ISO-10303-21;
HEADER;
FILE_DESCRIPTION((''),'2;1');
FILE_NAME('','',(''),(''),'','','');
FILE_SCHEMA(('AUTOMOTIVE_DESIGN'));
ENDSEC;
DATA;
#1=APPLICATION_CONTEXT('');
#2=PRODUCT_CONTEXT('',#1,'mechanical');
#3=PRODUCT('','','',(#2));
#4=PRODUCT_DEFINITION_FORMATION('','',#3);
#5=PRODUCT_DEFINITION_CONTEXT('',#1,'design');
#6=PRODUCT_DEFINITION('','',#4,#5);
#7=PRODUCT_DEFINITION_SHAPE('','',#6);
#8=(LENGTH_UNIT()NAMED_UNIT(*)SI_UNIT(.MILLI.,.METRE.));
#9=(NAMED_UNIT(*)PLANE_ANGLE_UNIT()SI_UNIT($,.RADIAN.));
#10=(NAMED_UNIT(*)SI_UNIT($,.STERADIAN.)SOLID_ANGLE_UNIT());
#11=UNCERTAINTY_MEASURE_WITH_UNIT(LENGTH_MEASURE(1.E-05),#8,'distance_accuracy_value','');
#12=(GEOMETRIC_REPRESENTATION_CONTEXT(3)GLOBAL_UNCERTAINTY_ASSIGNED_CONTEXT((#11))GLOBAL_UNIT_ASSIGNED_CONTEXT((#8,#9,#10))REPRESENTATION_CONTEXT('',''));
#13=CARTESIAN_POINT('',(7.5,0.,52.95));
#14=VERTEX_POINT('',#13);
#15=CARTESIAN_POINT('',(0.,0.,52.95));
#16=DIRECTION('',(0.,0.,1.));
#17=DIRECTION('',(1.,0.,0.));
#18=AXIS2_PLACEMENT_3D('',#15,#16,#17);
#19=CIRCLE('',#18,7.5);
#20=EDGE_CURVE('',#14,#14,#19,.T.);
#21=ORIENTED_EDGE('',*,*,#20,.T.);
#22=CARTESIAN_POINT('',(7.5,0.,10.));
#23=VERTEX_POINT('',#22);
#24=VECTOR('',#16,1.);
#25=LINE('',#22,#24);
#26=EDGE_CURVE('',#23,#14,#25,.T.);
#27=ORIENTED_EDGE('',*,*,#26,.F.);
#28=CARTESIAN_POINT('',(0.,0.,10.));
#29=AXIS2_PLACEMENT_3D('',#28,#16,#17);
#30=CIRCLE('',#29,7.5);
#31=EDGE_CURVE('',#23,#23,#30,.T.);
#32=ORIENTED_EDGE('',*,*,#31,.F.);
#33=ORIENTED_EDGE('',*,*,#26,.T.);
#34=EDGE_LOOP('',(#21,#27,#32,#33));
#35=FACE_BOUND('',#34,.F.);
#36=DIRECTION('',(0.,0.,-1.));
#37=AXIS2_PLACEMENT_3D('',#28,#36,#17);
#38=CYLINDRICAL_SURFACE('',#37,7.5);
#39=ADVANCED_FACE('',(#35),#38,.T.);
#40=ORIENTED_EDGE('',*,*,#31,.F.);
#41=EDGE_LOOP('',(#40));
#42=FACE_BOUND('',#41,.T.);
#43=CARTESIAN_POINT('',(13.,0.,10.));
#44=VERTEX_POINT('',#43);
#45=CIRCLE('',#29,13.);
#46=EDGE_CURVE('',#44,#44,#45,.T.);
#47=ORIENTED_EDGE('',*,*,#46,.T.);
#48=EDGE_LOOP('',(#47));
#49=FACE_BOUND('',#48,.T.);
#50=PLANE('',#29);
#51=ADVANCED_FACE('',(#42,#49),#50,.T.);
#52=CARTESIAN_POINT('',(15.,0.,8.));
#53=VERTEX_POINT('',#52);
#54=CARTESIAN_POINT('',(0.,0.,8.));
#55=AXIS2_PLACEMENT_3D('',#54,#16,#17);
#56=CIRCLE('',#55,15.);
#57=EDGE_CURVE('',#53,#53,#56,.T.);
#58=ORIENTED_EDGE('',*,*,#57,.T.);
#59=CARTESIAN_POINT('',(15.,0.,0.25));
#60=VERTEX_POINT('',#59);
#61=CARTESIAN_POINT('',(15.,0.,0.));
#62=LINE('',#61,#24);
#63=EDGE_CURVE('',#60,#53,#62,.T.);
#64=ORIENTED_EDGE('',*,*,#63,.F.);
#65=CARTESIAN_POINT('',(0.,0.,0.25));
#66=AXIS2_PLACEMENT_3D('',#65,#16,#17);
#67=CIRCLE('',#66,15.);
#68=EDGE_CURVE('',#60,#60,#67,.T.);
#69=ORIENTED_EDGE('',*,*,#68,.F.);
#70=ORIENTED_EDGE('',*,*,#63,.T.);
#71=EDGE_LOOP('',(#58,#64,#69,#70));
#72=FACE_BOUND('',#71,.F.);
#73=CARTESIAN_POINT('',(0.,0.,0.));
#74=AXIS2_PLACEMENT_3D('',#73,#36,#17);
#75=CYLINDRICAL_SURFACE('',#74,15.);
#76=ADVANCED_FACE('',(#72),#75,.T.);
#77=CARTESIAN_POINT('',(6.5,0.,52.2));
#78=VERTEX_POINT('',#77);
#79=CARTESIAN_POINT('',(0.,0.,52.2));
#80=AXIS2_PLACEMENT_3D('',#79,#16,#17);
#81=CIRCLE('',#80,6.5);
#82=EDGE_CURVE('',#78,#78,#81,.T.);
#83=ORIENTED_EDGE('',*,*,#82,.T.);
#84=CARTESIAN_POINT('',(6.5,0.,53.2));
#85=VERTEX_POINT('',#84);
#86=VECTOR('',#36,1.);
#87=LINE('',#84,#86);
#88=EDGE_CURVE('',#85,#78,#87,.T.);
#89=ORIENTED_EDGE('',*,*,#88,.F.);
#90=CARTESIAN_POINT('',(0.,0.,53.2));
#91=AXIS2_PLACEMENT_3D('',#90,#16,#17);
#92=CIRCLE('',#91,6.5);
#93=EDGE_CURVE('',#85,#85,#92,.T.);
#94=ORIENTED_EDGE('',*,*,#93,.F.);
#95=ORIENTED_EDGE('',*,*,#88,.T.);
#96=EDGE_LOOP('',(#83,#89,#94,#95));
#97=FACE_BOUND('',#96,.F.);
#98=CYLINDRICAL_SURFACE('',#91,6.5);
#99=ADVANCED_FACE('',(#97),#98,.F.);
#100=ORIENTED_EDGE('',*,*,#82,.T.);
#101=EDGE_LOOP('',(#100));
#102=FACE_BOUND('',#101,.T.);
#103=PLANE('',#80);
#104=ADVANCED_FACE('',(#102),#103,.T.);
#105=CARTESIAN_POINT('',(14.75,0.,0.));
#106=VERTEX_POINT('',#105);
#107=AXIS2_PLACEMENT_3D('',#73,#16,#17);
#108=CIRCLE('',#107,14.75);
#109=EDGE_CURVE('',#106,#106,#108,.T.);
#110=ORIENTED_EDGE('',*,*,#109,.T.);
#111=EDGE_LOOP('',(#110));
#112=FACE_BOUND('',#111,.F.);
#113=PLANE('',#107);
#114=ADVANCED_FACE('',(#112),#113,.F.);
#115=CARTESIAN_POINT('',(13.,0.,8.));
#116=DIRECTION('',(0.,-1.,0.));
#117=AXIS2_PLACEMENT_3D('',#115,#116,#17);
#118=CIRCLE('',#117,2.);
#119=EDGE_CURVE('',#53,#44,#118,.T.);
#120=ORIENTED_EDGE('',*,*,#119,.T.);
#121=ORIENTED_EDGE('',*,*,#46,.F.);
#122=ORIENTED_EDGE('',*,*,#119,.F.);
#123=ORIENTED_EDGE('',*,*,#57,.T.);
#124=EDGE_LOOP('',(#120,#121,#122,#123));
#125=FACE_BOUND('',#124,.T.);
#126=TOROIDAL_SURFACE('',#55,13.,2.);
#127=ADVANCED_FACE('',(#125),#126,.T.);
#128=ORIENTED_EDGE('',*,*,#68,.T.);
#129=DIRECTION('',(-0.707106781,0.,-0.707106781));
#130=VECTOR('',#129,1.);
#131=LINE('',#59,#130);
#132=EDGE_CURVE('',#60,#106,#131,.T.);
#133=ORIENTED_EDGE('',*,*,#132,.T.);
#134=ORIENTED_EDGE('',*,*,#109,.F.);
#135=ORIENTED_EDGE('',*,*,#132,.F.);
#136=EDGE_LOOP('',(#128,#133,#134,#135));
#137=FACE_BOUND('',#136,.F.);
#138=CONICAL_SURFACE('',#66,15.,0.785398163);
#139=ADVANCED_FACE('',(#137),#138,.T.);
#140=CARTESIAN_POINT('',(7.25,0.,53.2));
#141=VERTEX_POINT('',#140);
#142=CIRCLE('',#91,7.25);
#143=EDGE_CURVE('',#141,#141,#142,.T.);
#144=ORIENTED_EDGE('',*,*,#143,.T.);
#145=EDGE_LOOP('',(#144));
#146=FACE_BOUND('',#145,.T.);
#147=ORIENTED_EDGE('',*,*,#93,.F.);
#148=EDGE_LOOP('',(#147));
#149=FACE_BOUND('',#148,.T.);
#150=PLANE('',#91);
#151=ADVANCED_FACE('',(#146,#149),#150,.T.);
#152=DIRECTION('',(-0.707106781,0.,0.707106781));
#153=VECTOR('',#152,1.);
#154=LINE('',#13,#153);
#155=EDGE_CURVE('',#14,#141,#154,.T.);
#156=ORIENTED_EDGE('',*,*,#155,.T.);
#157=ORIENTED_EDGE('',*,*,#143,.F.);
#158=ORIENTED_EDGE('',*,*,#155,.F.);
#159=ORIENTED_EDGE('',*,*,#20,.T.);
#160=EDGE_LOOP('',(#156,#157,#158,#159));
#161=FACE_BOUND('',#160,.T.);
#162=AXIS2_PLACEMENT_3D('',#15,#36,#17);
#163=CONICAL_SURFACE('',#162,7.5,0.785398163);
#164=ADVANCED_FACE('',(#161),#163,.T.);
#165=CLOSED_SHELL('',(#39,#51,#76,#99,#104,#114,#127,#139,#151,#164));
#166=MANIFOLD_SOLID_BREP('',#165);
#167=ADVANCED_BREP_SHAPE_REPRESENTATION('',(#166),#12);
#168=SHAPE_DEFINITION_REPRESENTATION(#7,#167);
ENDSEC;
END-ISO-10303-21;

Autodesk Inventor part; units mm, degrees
ref_plane "YZ Plane" through (0, 0, 0) normal (1, 0, 0) x (0, 1, 0)
ref_plane "XZ Plane" through (0, 0, 0) normal (0, 1, 0) x (-1, 0, 0)
ref_plane "XY Plane" through (0, 0, 0) normal (0, 0, 1) x (1, 0, 0)
sketch "Sketch1" plane through (0, 0, 0) normal (0, 0, 1) x (1, 0, 0)
  circle A0 centre (0, 0) radius 15
  dimension "d0" = 30
extrude "Extrusion1" add sketch "Sketch1" along normal blind 10
sketch "Sketch2" plane through (0, 0, 10) normal (0, 0, 1) x (1, 0, 0)
  circle A0 centre (0, 0) radius 15 projected
  circle A1 centre (0, 0) radius 7.5
  dimension "d3" = 15
extrude "Extrusion2" add sketch "Sketch2" along normal blind 43.2 contours A1
sketch "Sketch3" plane through (0, 0, 53.2) normal (0, 0, 1) x (1, 0, 0)
  circle A0 centre (0, 0) radius 7.5 projected
  circle A1 centre (0, 0) radius 6.5
  dimension "d6" = 1
extrude "Extrusion3" cut sketch "Sketch3" against normal blind 1 contours A1
fillet "Fillet1" radius 2 1 edges at (-15, 0, 10)
chamfer "Chamfer1" distance 0.25 angle 45 1 edges at (-7.5, 0, 53.2)
chamfer "Chamfer2" distance 0.25 angle 45 1 edges at (-15, 0, 0)
properties part number "InfiniStix_066x"
